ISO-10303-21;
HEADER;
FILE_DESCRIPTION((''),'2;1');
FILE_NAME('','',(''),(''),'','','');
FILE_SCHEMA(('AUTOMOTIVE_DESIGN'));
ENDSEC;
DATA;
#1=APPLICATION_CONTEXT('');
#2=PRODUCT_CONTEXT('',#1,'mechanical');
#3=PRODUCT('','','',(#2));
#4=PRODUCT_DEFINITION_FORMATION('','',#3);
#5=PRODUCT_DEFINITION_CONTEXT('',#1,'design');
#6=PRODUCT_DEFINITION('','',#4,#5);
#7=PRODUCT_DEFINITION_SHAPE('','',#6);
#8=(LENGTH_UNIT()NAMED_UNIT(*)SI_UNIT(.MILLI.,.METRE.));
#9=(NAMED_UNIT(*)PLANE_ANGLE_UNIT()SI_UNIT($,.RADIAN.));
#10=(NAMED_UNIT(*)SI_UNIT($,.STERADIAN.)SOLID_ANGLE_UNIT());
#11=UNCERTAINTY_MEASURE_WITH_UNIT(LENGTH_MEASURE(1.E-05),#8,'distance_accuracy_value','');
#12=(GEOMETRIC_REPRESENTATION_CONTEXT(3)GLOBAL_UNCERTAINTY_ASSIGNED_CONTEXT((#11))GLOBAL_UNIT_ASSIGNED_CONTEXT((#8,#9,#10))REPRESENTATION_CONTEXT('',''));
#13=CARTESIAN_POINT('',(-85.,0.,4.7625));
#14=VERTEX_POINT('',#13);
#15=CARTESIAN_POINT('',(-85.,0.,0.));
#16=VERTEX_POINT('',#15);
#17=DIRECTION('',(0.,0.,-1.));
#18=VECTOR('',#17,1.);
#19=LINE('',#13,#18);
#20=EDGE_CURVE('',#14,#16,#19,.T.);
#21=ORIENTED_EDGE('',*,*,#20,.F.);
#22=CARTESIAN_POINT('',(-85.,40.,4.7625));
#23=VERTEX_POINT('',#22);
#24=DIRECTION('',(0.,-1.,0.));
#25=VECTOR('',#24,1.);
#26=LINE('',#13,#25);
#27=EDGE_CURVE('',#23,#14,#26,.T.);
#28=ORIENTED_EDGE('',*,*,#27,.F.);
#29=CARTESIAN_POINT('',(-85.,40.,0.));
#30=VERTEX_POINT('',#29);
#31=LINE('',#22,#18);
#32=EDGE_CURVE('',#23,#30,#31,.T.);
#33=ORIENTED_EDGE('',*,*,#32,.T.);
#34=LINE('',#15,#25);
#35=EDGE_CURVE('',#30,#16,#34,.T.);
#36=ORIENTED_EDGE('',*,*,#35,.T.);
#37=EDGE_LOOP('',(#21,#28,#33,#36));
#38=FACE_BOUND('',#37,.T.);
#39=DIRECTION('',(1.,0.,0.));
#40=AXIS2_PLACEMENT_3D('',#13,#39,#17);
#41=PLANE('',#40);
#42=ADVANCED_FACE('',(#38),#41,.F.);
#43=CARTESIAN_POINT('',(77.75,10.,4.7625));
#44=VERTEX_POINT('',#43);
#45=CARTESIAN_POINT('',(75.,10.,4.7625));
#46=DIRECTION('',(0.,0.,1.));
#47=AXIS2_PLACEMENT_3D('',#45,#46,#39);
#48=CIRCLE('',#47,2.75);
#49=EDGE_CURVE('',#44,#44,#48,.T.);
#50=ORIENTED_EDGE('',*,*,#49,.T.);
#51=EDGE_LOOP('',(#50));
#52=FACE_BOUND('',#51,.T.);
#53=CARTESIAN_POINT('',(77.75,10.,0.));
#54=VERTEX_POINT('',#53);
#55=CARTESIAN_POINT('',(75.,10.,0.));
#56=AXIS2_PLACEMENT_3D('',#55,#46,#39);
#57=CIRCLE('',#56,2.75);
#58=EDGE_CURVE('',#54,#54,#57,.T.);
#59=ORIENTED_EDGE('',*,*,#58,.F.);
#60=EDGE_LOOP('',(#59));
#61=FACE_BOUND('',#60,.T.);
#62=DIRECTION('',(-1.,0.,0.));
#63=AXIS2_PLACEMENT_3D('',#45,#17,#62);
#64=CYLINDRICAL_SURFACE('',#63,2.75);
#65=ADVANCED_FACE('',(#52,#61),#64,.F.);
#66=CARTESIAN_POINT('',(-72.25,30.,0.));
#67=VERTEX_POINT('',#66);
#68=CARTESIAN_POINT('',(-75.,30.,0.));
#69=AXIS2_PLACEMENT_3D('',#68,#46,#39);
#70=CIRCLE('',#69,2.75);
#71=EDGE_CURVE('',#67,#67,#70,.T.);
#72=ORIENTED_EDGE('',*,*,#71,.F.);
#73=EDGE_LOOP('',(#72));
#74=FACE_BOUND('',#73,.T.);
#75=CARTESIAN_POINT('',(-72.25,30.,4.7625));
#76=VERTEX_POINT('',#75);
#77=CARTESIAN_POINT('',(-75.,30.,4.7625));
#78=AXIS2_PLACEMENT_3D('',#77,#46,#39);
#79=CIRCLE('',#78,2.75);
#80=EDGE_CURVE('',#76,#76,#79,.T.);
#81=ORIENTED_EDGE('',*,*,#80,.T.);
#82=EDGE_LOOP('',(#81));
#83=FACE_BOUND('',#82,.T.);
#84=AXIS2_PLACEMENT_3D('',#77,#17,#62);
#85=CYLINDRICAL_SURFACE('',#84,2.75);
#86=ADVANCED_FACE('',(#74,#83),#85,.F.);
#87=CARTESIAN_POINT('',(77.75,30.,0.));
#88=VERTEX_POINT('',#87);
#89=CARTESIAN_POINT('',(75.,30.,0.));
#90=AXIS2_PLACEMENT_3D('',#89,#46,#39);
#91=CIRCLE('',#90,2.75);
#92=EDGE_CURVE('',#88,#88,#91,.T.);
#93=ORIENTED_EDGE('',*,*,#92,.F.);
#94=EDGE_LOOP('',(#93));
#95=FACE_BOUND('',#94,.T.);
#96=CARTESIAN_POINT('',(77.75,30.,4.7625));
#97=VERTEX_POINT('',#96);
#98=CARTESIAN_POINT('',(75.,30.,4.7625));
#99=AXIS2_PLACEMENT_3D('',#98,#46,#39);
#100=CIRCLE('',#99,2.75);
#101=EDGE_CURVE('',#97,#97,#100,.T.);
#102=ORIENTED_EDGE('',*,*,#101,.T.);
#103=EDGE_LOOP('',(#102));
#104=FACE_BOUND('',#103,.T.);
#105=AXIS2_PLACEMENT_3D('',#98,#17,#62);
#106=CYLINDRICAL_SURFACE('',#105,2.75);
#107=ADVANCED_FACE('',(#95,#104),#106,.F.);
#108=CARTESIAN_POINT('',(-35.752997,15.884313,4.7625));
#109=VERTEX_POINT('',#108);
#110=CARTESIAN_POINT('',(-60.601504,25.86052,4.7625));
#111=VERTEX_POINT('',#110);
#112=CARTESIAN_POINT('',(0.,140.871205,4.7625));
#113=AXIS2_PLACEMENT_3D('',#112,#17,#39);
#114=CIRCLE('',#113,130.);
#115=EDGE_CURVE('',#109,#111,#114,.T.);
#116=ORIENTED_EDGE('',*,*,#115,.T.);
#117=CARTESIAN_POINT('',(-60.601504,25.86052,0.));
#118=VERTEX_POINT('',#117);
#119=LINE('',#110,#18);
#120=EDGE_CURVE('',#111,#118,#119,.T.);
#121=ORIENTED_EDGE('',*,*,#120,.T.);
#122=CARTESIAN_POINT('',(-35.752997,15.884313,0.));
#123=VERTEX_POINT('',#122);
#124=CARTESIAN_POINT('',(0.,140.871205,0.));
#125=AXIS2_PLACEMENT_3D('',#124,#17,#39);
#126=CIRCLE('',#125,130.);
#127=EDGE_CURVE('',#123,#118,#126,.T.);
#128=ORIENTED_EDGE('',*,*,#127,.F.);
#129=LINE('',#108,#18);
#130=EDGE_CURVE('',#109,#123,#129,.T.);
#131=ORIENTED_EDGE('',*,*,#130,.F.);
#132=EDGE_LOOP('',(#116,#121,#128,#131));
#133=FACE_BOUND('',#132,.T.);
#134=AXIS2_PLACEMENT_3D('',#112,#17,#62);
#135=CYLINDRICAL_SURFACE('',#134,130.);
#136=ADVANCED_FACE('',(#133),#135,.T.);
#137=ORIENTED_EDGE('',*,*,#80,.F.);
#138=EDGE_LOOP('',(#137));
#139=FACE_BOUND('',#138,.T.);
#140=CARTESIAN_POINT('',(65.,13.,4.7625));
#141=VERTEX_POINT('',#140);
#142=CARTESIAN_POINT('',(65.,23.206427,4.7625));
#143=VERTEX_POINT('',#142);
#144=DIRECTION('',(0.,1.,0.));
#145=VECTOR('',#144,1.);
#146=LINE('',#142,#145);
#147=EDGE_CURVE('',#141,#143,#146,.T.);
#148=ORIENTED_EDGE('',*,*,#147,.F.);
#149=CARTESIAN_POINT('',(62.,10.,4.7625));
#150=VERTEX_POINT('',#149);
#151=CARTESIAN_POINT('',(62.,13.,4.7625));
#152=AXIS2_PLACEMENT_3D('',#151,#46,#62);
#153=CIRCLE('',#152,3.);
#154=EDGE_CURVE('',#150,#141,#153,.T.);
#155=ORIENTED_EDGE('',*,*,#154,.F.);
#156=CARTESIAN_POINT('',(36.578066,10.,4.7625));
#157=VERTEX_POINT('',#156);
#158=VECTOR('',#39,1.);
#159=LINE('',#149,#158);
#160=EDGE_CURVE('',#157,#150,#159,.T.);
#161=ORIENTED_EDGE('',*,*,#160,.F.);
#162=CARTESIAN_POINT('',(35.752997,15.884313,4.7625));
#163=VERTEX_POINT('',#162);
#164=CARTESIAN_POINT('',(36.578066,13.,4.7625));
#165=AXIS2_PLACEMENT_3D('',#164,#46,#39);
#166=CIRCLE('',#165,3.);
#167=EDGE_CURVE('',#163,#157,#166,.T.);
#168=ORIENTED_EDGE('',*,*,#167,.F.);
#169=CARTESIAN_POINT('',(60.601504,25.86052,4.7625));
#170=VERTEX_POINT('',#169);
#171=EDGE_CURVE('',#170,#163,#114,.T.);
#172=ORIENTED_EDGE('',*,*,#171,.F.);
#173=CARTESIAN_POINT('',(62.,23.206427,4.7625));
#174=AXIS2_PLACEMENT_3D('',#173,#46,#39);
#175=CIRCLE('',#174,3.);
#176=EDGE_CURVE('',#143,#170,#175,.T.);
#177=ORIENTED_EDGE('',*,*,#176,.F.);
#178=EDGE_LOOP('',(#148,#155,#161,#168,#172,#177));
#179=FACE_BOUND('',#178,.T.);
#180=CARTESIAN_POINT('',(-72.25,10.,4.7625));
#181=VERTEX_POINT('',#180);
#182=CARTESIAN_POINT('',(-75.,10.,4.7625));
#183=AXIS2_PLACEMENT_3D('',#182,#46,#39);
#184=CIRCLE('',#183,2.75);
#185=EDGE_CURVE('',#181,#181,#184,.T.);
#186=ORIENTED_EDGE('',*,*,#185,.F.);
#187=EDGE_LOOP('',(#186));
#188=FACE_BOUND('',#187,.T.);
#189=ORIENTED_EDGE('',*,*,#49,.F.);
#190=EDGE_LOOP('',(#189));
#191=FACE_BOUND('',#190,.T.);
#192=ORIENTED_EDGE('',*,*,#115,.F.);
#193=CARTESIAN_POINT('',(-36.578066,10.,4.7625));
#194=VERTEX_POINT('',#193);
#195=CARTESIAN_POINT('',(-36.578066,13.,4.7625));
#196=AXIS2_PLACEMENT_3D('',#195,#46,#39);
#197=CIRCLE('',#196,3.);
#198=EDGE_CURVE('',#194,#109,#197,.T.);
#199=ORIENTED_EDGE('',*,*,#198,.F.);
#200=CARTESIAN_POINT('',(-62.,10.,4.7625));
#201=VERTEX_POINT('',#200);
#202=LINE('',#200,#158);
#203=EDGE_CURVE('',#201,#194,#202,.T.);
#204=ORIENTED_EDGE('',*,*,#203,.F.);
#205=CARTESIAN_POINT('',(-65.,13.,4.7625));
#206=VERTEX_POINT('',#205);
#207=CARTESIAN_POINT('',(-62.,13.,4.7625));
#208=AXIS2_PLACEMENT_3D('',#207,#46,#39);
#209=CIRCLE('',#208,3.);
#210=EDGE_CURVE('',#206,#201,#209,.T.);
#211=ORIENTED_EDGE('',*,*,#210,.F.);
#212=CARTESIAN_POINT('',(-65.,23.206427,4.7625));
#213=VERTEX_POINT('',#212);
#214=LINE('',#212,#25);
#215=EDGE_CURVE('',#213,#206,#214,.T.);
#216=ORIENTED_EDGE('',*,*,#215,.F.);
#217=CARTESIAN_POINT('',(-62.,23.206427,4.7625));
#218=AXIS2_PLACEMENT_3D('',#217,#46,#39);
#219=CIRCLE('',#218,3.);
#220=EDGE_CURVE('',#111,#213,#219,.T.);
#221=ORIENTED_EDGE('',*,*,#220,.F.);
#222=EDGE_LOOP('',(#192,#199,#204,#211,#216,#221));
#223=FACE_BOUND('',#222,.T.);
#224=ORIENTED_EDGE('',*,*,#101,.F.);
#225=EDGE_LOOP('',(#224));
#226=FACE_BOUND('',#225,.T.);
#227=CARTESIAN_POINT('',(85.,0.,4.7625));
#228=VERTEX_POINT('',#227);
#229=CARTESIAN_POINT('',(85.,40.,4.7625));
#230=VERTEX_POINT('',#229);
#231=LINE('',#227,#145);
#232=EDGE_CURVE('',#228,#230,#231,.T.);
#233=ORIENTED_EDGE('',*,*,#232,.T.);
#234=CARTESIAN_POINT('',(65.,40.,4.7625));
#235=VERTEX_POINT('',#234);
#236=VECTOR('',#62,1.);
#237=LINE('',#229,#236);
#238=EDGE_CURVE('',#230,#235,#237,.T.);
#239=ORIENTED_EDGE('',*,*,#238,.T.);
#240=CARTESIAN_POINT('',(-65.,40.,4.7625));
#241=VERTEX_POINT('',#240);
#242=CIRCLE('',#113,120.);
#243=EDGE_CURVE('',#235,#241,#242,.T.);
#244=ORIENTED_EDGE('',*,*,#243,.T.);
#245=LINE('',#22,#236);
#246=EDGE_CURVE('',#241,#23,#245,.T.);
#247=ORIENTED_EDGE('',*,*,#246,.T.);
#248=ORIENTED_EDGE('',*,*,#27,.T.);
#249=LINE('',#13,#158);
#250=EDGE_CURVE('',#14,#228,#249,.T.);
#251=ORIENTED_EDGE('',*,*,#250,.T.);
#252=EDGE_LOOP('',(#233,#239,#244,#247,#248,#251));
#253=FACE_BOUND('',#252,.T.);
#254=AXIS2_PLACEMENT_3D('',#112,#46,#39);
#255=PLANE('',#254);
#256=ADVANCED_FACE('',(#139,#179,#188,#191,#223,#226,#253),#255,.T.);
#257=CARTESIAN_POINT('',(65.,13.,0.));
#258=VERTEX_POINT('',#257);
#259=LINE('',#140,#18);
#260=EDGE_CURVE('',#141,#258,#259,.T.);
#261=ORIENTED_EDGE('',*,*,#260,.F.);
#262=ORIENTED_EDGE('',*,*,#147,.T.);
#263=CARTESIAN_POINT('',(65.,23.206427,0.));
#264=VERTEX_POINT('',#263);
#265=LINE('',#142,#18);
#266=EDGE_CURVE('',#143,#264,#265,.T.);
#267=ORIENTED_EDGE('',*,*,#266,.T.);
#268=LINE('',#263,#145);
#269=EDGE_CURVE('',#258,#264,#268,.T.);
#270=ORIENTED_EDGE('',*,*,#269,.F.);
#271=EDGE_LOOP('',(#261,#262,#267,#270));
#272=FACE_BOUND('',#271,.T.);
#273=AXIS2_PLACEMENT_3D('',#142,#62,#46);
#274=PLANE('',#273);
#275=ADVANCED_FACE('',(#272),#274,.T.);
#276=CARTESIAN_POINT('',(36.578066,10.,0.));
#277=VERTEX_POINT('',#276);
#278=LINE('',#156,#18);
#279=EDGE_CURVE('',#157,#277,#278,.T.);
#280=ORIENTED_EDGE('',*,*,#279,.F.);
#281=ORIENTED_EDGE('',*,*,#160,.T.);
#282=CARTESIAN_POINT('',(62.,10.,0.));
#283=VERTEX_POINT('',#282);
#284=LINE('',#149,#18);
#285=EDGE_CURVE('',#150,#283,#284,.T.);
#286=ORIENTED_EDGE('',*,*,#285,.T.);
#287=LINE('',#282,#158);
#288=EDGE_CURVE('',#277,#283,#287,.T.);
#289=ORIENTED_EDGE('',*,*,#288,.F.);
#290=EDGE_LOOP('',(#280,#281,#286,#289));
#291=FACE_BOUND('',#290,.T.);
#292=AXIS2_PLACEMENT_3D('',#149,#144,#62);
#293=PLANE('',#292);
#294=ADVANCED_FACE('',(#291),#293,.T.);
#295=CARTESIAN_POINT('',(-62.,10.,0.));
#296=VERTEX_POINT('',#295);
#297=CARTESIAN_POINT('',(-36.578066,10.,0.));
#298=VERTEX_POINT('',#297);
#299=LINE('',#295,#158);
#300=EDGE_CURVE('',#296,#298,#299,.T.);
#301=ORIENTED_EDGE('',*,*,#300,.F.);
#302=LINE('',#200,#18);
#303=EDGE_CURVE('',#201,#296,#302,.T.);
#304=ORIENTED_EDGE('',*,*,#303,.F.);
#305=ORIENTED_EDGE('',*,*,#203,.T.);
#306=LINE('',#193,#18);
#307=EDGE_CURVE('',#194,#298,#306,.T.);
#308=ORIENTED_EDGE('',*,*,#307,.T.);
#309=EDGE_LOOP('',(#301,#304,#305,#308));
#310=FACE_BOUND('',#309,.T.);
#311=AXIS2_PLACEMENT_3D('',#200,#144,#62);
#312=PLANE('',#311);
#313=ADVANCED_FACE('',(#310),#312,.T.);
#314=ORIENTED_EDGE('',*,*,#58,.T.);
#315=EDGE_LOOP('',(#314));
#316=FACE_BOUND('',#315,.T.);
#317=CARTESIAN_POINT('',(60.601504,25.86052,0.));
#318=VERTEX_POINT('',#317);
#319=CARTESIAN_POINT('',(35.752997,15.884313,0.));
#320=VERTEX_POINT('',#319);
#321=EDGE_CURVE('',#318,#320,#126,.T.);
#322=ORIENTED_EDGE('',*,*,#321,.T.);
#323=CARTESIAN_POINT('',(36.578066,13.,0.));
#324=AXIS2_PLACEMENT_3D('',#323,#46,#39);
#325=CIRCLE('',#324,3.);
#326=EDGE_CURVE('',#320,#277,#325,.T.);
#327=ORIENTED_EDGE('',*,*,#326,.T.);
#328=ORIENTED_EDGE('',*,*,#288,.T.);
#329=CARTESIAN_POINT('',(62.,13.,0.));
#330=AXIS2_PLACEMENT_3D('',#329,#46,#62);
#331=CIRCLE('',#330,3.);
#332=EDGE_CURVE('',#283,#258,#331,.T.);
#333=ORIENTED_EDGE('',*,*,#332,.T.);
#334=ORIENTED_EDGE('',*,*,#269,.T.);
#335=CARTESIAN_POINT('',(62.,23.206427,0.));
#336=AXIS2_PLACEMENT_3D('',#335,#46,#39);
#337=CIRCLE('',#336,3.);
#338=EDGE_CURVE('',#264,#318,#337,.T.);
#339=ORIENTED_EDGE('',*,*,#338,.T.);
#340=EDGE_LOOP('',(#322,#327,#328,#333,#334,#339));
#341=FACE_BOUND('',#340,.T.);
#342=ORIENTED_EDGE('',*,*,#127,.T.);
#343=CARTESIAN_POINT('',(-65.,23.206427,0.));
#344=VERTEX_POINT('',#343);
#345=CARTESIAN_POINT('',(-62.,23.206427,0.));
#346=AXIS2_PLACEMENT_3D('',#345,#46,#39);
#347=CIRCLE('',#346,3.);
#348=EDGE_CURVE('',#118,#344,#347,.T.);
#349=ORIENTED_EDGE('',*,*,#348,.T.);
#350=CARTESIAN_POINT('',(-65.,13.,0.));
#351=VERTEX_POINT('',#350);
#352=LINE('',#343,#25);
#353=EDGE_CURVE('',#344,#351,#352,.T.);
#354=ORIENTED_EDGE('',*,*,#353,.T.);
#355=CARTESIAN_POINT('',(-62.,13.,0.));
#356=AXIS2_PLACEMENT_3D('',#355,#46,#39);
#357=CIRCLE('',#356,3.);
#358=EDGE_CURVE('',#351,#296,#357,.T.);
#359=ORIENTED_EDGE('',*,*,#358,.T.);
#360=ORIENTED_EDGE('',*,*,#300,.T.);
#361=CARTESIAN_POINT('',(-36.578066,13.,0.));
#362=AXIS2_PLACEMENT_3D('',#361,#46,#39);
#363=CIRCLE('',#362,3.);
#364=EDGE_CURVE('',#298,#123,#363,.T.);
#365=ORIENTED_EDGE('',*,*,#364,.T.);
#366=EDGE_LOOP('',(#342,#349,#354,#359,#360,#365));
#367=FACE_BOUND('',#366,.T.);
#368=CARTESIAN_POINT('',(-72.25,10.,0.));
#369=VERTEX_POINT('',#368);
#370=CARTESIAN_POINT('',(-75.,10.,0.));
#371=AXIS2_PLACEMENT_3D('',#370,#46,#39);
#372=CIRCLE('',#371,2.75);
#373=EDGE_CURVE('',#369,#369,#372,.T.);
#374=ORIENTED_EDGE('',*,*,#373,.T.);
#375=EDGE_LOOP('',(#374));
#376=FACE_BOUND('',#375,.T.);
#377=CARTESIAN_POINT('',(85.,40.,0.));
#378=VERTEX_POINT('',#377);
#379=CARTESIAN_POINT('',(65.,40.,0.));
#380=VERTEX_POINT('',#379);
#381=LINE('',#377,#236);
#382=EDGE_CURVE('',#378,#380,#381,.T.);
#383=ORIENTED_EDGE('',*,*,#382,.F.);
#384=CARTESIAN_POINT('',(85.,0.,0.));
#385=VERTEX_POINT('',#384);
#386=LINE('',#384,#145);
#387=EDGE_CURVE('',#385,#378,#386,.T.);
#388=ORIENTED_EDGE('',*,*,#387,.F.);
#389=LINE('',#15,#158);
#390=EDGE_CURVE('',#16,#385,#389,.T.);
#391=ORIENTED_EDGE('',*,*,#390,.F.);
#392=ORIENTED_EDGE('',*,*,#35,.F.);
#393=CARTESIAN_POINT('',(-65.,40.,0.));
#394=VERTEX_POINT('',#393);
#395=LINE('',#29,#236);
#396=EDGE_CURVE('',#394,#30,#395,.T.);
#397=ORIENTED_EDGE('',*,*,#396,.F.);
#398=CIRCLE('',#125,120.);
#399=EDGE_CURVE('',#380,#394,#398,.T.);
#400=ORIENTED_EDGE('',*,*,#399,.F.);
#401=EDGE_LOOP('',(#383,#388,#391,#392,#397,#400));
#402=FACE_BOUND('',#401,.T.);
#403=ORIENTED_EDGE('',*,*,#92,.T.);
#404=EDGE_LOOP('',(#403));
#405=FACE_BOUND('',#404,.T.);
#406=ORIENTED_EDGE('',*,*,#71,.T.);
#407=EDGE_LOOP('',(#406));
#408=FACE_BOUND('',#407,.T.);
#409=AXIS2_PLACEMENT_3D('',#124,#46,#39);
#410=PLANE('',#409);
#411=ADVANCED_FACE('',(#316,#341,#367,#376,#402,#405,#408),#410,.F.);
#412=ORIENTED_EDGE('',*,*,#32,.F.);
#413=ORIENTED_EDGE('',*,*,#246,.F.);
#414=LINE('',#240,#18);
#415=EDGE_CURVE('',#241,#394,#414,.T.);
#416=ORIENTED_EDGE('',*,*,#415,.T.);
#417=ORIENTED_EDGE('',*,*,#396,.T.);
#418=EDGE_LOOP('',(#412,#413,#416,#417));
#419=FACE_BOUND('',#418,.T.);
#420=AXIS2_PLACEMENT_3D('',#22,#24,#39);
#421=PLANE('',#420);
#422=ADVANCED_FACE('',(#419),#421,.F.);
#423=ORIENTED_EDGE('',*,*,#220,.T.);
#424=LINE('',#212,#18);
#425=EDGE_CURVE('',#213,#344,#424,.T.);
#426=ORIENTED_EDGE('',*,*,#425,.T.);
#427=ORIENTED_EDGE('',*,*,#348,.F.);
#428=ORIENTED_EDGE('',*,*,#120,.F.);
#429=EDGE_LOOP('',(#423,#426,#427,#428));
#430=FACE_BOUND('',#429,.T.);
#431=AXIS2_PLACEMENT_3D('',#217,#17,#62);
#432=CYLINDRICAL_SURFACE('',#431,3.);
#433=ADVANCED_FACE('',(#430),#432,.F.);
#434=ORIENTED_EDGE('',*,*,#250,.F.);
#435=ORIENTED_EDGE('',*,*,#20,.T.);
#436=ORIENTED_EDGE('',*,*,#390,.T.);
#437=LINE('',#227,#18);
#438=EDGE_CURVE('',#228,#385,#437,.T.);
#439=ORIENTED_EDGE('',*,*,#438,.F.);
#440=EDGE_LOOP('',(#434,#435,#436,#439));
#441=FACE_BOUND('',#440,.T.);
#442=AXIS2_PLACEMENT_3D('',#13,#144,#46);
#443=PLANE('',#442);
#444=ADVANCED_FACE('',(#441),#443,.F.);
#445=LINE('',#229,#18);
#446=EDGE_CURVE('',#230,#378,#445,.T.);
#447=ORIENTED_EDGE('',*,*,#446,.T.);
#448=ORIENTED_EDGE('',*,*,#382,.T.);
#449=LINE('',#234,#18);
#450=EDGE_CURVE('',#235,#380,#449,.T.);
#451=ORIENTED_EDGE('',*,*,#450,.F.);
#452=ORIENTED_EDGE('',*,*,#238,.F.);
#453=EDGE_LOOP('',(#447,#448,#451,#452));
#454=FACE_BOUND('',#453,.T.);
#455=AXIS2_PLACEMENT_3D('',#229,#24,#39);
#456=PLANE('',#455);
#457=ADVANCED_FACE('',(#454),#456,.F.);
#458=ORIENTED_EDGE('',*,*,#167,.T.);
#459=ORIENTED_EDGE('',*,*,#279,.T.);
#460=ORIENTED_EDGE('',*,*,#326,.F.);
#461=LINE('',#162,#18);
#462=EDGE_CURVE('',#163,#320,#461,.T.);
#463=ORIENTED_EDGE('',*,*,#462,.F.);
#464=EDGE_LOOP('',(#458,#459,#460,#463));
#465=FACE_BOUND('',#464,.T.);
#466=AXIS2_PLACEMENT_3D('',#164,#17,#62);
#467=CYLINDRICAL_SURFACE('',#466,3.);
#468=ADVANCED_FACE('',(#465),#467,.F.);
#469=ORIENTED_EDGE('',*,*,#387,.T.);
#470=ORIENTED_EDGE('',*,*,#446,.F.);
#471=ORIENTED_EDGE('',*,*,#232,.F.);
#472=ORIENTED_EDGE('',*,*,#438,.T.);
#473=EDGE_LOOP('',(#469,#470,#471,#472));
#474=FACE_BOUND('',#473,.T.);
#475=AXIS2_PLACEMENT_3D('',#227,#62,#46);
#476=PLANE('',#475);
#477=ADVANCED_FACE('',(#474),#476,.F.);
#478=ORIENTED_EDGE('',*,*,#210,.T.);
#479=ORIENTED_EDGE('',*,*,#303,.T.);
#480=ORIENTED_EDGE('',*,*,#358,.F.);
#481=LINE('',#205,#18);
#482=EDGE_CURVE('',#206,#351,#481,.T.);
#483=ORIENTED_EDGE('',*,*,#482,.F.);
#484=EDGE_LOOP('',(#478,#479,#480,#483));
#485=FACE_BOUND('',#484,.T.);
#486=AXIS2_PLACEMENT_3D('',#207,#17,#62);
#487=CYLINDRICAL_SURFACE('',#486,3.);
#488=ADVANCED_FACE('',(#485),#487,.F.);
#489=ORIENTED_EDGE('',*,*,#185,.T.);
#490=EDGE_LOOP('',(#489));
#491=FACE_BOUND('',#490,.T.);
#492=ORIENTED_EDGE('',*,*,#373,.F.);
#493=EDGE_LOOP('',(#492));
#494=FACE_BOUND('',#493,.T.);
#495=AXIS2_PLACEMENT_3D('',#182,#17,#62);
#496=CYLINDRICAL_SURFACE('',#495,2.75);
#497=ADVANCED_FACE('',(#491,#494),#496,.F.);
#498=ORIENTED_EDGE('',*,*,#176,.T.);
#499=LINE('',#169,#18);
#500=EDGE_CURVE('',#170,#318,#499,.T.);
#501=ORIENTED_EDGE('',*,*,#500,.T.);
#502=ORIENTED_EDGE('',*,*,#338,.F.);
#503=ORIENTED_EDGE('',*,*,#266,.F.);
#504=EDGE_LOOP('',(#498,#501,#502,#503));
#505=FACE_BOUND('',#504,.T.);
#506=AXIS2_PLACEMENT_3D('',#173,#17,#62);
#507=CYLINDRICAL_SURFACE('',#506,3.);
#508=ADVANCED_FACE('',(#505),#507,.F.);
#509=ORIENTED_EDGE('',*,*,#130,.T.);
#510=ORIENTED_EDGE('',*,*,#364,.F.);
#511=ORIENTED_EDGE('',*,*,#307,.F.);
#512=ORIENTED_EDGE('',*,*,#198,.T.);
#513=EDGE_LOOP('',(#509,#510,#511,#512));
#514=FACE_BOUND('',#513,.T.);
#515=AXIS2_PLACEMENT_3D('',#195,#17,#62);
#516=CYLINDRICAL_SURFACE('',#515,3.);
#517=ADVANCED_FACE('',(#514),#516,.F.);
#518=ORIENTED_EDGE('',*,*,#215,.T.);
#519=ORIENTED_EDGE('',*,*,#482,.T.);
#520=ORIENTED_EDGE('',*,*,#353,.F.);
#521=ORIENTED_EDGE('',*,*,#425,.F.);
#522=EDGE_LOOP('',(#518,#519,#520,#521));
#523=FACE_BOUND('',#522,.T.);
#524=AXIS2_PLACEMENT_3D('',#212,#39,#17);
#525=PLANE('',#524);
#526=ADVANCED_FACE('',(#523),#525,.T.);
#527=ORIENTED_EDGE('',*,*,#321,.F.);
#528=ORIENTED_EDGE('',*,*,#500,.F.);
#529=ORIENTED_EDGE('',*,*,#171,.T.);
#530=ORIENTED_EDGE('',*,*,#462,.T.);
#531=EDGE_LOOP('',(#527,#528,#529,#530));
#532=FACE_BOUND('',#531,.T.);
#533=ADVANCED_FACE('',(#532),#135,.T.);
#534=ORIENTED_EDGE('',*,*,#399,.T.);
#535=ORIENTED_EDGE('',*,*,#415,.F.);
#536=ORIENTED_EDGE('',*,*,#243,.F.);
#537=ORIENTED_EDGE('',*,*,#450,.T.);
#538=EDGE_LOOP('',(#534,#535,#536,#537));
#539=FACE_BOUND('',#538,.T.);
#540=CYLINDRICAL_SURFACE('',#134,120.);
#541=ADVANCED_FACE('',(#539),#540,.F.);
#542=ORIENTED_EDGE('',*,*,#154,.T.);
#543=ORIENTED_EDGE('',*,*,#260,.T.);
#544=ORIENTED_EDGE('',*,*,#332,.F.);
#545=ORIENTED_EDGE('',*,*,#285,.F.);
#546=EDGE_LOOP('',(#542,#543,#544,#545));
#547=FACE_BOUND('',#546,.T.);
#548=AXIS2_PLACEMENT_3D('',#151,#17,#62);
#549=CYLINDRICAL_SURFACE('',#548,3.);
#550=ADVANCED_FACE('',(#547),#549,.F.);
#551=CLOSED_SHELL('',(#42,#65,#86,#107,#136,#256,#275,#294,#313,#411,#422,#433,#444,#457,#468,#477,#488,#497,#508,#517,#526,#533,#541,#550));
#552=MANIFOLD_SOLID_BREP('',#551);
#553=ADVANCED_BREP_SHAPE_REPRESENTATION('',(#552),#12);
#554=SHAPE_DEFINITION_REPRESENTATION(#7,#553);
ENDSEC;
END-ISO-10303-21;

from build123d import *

# Parameters (mm, degrees)
SKETCH1_R           = 2.75
BOSS_EXTRUDE1_DEPTH = 4.7625


with BuildPart() as part:
    # Sketch1 → Boss-Extrude1 (new body)
    with BuildSketch(Plane.XY):
        with BuildLine():
            Line((-85, 0), (85, 0))
            Line((85, 0), (85, 40))
            Line((85, 40), (65, 40))
            ThreePointArc((65, 40), (0, 20.871205009), (-65, 40))
            Line((-65, 40), (-85, 40))
            Line((-85, 40), (-85, 0))
        make_face()
        with Locations((-75, 30)):
            Circle(SKETCH1_R, mode=Mode.SUBTRACT)
        with Locations((-75, 10)):
            Circle(SKETCH1_R, mode=Mode.SUBTRACT)
        with Locations((75, 30)):
            Circle(SKETCH1_R, mode=Mode.SUBTRACT)
        with Locations((75, 10)):
            Circle(SKETCH1_R, mode=Mode.SUBTRACT)
        with BuildLine():
            Line((-65, 23.206426932), (-65, 13))
            ThreePointArc((-65, 13), (-64.121320344, 10.878679656), (-62, 10))
            Line((-62, 10), (-36.578066235, 10))
            ThreePointArc((-36.578066235, 10), (-33.607128783, 12.583429889), (-35.752997072, 15.884312895))
            ThreePointArc((-35.752997072, 15.884312895), (-48.434787426, 20.230949012), (-60.601503759, 25.86051967))
            ThreePointArc((-60.601503759, 25.86051967), (-63.549921172, 25.775034407), (-65, 23.206426932))
        make_face(mode=Mode.SUBTRACT)
        with BuildLine():
            Line((65, 23.206426932), (65, 13))
            ThreePointArc((65, 13), (64.121320344, 10.878679656), (62, 10))
            Line((62, 10), (36.578066235, 10))
            ThreePointArc((36.578066235, 10), (33.607128783, 12.583429889), (35.752997072, 15.884312895))
            ThreePointArc((35.752997072, 15.884312895), (48.434787426, 20.230949012), (60.601503759, 25.86051967))
            ThreePointArc((60.601503759, 25.86051967), (63.549921172, 25.775034407), (65, 23.206426932))
        make_face(mode=Mode.SUBTRACT)
    extrude(amount=BOSS_EXTRUDE1_DEPTH)


solid = part.part
